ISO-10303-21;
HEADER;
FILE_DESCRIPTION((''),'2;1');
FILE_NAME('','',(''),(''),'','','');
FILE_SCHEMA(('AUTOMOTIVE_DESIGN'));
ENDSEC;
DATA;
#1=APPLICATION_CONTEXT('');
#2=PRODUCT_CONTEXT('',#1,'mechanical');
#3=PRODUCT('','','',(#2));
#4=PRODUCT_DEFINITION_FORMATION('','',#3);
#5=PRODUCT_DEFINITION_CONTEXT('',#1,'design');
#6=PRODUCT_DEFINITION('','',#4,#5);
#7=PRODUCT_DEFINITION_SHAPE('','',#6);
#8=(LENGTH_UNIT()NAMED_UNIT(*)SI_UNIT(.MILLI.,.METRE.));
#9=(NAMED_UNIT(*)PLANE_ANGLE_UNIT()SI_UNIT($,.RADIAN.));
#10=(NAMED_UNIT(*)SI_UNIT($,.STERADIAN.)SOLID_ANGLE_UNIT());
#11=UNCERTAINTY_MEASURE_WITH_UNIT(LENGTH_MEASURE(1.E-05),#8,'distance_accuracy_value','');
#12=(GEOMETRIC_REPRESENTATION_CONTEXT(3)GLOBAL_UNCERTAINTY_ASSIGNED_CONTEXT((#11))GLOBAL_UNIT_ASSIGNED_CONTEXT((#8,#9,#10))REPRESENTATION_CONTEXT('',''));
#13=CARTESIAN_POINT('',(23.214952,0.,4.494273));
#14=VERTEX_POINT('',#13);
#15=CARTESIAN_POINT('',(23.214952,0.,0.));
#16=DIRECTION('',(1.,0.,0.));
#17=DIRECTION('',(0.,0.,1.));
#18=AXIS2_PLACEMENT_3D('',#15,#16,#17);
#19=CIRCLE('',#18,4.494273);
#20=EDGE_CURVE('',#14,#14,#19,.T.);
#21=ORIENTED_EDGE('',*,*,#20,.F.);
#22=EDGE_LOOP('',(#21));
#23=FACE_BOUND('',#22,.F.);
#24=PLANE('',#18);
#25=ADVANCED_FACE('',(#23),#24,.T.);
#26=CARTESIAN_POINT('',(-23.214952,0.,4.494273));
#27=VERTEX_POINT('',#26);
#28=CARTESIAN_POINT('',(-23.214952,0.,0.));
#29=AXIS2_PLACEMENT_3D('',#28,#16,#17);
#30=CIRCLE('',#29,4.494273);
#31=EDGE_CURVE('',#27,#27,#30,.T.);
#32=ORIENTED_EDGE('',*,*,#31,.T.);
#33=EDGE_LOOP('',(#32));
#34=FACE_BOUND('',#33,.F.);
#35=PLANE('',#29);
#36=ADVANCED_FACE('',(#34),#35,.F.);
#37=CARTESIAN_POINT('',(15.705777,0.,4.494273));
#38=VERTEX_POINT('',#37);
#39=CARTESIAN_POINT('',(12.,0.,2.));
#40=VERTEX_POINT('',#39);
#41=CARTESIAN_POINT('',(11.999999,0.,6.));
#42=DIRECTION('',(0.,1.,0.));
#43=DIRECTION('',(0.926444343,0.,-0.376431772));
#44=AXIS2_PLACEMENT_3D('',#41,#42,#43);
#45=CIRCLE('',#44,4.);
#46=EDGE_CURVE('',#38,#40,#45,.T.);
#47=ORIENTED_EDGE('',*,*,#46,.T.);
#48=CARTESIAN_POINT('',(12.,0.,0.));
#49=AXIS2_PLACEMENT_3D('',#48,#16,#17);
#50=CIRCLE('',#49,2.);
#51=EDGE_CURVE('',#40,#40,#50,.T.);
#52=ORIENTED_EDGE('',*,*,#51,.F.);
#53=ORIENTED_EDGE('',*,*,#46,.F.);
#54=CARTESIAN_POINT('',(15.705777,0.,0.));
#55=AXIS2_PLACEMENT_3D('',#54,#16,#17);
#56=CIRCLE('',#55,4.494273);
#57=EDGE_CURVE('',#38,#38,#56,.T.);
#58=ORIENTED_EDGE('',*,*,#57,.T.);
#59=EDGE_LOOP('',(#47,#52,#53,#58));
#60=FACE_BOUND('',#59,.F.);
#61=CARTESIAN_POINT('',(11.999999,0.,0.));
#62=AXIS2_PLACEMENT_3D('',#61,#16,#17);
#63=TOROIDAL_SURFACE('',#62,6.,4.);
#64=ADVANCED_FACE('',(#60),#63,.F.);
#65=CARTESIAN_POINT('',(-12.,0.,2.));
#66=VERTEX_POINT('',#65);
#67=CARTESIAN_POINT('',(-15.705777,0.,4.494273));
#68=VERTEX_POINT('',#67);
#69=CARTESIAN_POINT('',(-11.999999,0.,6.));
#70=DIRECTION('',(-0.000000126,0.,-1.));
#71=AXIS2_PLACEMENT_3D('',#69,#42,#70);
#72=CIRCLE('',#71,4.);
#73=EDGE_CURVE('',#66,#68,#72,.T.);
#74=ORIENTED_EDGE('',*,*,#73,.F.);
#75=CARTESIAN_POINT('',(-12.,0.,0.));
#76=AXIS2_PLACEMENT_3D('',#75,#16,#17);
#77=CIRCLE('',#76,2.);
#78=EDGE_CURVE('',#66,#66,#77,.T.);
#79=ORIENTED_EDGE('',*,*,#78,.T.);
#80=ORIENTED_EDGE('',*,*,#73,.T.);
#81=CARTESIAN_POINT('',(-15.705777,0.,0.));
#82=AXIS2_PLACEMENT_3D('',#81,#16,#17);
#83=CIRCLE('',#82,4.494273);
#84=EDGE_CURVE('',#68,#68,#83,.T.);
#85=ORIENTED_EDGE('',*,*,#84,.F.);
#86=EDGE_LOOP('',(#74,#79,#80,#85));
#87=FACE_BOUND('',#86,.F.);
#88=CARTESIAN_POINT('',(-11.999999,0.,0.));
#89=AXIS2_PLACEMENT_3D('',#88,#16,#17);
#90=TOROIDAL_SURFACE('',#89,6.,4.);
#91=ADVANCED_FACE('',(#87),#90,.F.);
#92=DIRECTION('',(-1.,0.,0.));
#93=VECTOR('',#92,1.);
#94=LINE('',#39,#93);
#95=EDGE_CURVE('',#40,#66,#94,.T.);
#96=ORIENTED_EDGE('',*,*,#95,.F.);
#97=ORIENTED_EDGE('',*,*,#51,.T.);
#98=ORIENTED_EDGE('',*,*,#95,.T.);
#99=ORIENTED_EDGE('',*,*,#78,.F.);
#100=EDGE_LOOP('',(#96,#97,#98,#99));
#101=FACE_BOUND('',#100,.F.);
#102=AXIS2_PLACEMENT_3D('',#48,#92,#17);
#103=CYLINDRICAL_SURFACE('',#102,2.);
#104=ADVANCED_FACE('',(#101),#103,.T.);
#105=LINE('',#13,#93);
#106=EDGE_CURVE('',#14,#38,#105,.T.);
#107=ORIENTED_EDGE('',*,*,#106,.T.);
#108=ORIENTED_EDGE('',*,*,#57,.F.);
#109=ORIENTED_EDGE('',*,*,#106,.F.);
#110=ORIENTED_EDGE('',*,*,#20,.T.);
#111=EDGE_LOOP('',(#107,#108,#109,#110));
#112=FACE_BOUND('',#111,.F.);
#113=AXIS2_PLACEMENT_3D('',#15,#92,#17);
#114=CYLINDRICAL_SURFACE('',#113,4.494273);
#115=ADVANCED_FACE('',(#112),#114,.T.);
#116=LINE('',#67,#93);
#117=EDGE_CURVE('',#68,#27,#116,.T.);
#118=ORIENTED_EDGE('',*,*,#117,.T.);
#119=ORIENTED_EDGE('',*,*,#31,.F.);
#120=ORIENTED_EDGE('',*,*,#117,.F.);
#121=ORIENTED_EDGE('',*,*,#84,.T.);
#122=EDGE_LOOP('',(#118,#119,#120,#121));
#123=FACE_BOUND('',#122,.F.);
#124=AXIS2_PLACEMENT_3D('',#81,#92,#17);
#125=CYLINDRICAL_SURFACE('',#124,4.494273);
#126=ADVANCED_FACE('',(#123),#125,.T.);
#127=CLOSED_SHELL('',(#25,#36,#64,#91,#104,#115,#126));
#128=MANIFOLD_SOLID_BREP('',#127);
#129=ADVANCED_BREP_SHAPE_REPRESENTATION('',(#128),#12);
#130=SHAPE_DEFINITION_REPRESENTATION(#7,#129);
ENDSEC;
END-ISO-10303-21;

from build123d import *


with BuildPart() as f1:
    # F0 (on Front) → F1 (revolve)
    with BuildSketch(Plane.XZ):
        with BuildLine():
            Line((12, 2), (0, 2))
            Line((0, 2), (-12, 2))
            ThreePointArc((-12, 2), (-14.233505, 2.681649), (-15.705777, 4.494273))
            Line((-15.705777, 4.494273), (-23.214952, 4.494273))
            Line((-23.214952, 4.494273), (-23.214952, 0))
            Line((-23.214952, 0), (0, 0))
            Line((0, 0), (23.214952, 0))
            Line((23.214952, 0), (23.214952, 4.494273))
            Line((23.214952, 4.494273), (15.705777, 4.494273))
            ThreePointArc((15.705777, 4.494273), (14.233505, 2.681649), (12, 2))
        make_face()
    revolve(axis=Axis((-11.607476, 0, 0), (1, 0, 0)))


solid = f1.part
